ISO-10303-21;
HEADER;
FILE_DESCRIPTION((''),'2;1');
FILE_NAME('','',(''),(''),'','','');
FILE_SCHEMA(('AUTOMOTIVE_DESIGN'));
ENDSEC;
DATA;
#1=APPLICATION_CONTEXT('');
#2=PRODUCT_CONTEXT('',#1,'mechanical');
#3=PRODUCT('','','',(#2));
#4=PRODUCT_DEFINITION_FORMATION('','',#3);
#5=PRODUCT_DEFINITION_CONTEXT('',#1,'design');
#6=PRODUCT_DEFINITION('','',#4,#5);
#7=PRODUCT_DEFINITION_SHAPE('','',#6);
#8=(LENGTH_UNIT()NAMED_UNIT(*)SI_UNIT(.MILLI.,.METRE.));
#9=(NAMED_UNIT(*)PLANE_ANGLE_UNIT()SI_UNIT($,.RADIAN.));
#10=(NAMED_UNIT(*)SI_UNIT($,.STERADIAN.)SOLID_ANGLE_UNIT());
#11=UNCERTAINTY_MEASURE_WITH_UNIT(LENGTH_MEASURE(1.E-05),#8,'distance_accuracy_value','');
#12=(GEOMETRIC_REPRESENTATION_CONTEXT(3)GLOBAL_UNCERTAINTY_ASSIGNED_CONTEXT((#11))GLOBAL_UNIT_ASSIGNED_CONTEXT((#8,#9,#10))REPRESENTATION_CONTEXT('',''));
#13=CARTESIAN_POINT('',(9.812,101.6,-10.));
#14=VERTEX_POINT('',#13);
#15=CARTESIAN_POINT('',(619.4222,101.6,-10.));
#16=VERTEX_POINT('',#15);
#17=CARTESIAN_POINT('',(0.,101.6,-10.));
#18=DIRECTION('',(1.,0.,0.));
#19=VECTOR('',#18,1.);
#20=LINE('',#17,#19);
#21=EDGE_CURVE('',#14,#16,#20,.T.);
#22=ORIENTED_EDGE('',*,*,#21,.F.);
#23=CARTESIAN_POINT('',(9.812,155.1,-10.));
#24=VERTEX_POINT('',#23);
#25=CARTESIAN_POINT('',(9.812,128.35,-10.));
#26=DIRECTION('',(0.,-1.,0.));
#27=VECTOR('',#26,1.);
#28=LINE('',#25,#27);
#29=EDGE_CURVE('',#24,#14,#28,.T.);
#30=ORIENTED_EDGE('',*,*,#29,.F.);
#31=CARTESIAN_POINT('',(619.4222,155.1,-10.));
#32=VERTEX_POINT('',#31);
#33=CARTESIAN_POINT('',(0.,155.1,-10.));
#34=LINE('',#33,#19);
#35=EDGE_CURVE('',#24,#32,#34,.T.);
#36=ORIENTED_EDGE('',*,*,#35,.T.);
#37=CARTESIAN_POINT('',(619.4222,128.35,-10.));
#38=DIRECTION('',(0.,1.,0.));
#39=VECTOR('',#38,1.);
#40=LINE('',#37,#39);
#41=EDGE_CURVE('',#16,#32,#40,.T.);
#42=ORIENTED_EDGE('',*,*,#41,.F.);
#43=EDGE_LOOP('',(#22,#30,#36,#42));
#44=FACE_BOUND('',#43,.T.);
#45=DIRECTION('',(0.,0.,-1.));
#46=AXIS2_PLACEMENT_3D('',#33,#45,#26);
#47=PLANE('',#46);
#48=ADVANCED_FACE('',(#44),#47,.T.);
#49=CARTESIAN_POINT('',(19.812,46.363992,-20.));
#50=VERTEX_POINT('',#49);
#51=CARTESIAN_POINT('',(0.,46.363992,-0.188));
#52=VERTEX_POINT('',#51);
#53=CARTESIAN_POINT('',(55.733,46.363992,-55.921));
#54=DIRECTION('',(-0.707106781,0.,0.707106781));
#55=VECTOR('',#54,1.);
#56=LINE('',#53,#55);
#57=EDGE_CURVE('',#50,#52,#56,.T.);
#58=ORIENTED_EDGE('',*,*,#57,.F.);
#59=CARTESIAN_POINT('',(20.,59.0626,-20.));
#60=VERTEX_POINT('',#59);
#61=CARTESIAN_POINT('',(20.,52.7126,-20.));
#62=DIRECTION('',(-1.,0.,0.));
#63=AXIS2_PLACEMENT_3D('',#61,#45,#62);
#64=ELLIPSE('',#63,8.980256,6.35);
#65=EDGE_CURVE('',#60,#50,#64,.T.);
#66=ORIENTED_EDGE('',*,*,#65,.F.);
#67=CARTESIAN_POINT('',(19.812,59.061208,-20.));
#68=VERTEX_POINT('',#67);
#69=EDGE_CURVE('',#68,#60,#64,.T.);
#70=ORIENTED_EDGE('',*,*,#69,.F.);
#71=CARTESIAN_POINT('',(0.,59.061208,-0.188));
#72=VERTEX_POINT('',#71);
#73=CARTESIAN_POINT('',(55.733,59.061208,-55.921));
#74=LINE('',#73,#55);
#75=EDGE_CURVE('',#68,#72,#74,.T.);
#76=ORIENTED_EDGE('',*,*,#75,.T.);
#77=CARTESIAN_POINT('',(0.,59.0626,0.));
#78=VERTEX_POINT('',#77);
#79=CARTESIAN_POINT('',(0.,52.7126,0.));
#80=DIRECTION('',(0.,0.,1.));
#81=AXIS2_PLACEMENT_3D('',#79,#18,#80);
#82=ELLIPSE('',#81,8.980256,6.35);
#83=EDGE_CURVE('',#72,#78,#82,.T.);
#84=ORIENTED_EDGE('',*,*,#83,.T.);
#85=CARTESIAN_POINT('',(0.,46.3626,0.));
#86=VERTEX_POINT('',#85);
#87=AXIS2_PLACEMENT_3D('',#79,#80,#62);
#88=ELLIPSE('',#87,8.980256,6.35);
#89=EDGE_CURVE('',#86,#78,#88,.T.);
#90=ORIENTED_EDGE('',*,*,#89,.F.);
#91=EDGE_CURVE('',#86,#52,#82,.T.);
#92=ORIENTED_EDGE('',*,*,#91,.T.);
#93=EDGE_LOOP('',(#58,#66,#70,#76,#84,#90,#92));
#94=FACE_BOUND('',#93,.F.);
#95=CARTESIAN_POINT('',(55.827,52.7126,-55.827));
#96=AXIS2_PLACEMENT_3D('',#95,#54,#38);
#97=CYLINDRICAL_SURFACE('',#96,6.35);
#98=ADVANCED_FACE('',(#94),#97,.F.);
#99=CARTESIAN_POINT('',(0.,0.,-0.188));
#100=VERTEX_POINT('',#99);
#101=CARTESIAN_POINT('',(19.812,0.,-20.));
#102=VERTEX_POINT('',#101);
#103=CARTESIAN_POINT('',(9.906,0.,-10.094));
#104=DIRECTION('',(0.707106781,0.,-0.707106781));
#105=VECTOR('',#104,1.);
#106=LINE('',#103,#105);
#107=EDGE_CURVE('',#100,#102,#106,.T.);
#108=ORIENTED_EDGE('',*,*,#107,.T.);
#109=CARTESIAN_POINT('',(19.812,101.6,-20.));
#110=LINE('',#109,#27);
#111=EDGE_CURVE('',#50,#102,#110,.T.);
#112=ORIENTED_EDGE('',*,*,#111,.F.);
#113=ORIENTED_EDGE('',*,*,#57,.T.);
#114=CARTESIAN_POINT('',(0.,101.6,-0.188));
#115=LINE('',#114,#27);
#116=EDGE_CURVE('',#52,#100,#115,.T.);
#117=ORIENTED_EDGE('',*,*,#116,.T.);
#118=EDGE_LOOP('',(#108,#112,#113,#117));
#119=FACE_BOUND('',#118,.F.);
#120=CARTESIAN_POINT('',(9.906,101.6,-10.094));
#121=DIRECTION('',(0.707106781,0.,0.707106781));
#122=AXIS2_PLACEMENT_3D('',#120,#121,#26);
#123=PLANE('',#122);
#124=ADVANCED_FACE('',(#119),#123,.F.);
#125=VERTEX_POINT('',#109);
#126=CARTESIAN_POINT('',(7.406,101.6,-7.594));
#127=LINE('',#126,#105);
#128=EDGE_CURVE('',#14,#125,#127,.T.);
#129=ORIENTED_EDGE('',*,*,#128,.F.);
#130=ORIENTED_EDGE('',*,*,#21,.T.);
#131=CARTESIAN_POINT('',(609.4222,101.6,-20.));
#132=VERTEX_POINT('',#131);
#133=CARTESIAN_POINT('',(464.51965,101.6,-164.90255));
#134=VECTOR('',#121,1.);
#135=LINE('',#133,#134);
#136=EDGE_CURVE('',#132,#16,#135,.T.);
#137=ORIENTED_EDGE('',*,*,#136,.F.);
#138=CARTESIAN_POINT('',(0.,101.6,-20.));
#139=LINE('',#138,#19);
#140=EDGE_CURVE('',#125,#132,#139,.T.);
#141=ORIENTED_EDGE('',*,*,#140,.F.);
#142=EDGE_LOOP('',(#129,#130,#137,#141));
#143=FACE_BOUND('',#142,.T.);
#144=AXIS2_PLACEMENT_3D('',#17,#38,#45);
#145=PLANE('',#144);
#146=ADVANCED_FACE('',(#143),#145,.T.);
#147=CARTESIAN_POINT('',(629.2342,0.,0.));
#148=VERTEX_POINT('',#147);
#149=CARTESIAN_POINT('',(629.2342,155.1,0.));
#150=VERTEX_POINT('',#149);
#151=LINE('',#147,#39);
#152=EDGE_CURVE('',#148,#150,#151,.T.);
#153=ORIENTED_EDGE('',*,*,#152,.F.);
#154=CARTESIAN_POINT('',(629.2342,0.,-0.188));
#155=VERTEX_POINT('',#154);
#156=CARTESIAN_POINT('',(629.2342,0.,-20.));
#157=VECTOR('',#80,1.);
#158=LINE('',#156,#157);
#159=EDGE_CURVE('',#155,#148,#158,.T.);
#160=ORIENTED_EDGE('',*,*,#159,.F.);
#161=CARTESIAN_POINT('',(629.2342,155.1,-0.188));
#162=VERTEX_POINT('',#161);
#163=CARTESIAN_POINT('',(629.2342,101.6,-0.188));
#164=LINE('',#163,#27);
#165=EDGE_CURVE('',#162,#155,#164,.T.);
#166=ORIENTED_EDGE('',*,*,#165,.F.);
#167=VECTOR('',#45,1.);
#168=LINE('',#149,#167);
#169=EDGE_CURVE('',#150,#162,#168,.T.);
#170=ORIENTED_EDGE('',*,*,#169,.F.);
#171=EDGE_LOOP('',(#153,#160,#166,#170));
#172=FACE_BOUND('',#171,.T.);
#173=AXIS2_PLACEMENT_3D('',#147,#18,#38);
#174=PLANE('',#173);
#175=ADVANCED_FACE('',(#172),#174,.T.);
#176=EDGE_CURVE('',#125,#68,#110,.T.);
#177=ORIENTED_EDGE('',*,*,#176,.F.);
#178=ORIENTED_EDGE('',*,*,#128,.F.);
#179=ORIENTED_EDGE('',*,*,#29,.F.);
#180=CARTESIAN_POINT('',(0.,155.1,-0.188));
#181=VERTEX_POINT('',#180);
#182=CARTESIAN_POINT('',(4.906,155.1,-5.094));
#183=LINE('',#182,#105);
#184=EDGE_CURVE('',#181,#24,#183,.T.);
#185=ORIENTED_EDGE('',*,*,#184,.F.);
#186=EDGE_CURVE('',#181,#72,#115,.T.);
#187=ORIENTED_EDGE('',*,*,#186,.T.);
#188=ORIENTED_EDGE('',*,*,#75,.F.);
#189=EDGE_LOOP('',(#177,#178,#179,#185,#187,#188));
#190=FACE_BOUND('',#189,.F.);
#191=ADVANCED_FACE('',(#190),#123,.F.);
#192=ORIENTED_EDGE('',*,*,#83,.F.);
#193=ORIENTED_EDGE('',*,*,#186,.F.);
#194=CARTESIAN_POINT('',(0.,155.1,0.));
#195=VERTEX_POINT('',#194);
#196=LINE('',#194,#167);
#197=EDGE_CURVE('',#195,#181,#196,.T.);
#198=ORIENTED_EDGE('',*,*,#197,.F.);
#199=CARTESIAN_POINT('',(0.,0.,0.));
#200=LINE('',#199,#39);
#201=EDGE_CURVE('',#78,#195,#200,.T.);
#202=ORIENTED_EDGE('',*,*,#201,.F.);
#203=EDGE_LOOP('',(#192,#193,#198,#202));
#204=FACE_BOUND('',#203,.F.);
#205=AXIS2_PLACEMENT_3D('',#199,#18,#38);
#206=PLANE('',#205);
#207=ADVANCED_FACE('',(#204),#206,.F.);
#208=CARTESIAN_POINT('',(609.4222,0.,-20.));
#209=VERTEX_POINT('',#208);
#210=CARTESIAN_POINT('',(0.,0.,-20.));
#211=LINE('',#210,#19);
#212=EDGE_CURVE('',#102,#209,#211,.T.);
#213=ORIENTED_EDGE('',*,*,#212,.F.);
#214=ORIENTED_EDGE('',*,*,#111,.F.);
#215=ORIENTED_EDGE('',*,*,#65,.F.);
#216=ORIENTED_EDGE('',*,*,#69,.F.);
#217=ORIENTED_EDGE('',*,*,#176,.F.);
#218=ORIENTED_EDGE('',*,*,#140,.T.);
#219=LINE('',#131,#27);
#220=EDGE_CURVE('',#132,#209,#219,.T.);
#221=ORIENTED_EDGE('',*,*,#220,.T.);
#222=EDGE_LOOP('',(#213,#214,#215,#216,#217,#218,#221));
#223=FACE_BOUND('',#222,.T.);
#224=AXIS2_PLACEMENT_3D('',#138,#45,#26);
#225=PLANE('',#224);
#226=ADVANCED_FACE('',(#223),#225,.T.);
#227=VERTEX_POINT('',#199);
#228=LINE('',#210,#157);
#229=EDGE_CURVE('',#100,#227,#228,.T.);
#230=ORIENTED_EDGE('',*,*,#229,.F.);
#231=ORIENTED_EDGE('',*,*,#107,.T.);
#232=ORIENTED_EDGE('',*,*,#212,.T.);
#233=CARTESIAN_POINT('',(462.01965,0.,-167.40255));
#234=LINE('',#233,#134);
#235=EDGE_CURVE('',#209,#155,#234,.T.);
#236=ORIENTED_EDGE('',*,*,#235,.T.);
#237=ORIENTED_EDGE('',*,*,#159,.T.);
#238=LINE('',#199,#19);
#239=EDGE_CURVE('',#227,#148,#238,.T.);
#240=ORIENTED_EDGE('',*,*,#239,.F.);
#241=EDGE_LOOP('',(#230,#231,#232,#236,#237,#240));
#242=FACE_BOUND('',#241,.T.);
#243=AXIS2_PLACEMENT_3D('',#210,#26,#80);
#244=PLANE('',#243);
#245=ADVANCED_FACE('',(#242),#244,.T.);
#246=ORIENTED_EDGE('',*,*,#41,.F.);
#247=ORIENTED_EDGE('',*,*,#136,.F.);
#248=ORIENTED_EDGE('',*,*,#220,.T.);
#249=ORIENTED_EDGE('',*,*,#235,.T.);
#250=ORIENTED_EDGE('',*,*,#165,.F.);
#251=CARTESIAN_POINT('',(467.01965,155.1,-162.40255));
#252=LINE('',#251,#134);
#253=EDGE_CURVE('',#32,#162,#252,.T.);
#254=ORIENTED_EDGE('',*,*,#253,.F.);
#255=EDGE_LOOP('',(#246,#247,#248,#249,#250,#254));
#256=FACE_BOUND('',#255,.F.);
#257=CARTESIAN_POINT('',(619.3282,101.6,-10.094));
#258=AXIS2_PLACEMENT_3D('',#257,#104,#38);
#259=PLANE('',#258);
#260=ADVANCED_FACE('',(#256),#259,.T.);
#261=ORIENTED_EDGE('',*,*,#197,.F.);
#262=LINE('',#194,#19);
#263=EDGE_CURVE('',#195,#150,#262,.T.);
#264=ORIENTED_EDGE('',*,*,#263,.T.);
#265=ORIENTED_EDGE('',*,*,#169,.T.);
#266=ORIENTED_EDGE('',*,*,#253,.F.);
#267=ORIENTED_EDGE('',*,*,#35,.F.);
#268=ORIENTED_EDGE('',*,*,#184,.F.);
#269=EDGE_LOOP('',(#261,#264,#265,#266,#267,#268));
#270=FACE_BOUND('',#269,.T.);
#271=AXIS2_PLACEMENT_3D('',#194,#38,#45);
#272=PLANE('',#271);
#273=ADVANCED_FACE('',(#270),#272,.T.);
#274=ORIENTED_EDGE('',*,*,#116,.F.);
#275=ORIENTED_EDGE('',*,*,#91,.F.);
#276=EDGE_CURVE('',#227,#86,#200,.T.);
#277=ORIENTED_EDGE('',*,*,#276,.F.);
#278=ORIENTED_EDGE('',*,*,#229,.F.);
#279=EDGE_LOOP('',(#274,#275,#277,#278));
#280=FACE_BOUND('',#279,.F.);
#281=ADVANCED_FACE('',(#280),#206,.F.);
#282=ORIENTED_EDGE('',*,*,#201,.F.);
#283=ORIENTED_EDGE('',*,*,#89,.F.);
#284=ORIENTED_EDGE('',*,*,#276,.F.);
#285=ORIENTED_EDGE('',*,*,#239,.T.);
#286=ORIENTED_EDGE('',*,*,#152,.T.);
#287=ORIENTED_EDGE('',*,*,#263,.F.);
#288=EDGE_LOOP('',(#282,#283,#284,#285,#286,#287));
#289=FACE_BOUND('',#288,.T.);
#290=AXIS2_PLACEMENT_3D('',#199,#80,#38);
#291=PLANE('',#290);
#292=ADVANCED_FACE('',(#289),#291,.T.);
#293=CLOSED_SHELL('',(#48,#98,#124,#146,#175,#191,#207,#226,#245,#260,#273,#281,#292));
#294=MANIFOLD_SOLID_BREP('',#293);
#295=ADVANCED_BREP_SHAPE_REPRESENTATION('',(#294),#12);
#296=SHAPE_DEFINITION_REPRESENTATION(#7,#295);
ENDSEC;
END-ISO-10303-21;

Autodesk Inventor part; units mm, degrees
ref_plane "YZ Plane" through (0, 0, 0) normal (1, 0, 0) x (0, 1, 0)
ref_plane "XZ Plane" through (0, 0, 0) normal (0, 1, 0) x (-1, 0, 0)
sketch "Sketch1" plane through (0, 0, 0) normal (1, 0, 0) x (0, 1, 0)
  line L0 (0, 0) -> (155.1, 0)
  line L1 (155.1, 0) -> (155.1, -10)
  line L2 (0, -20) -> (0, 0)
  line L3 (155.1, -10) -> (101.6, -10)
  line L4 (101.6, -10) -> (101.6, -20)
  line L5 (101.6, -20) -> (0, -20)
  dimension "d0" = 53.5
  dimension "d1" = 155.1
  dimension "d2" = 10
  dimension "d3" = 10
  dimension "d4" = 20
extrude "Extrusion1" add sketch "Sketch1" along normal blind 629.2342
chamfer "Chamfer1" distance 19.812 angle 45 1 edges at (629.2342, 50.8, -20)
chamfer "Chamfer2" distance 19.812 angle 45 1 edges at (0, 50.8, -20)
ref_plane "Work Plane4" through (55.733, 38.0112, -55.921) normal (0.7071, 0, -0.7071) x (0, -1, 0)
sketch "Sketch3" plane through (55.733, 38.0112, -55.921) normal (0.7071, 0, -0.7071) x (0, -1, 0)
  line L0 (-63.5888, 0) -> (-63.5888, -416.9174) projected
  line L1 (-63.5888, 0) -> (38.0112, 0) projected
  line L2 (-117.0888, -0.1329) -> (-117.0888, -445.0687) projected
  line L3 (-117.0888, -0.1329) -> (-14.7014, -0.1329)
  line L4 (38.0112, -0.1329) -> (-117.0888, -0.1329) projected
  dimension "d18" = 102.3874
hole "Hole1" at (55.827, 52.7126, -55.827) direction (-0.7071, 0, 0.7071) diameter 12.7 depth 127 tip angle 118
properties part number "SkinnySideWidthOutlet" material "Wood (Birch)"
